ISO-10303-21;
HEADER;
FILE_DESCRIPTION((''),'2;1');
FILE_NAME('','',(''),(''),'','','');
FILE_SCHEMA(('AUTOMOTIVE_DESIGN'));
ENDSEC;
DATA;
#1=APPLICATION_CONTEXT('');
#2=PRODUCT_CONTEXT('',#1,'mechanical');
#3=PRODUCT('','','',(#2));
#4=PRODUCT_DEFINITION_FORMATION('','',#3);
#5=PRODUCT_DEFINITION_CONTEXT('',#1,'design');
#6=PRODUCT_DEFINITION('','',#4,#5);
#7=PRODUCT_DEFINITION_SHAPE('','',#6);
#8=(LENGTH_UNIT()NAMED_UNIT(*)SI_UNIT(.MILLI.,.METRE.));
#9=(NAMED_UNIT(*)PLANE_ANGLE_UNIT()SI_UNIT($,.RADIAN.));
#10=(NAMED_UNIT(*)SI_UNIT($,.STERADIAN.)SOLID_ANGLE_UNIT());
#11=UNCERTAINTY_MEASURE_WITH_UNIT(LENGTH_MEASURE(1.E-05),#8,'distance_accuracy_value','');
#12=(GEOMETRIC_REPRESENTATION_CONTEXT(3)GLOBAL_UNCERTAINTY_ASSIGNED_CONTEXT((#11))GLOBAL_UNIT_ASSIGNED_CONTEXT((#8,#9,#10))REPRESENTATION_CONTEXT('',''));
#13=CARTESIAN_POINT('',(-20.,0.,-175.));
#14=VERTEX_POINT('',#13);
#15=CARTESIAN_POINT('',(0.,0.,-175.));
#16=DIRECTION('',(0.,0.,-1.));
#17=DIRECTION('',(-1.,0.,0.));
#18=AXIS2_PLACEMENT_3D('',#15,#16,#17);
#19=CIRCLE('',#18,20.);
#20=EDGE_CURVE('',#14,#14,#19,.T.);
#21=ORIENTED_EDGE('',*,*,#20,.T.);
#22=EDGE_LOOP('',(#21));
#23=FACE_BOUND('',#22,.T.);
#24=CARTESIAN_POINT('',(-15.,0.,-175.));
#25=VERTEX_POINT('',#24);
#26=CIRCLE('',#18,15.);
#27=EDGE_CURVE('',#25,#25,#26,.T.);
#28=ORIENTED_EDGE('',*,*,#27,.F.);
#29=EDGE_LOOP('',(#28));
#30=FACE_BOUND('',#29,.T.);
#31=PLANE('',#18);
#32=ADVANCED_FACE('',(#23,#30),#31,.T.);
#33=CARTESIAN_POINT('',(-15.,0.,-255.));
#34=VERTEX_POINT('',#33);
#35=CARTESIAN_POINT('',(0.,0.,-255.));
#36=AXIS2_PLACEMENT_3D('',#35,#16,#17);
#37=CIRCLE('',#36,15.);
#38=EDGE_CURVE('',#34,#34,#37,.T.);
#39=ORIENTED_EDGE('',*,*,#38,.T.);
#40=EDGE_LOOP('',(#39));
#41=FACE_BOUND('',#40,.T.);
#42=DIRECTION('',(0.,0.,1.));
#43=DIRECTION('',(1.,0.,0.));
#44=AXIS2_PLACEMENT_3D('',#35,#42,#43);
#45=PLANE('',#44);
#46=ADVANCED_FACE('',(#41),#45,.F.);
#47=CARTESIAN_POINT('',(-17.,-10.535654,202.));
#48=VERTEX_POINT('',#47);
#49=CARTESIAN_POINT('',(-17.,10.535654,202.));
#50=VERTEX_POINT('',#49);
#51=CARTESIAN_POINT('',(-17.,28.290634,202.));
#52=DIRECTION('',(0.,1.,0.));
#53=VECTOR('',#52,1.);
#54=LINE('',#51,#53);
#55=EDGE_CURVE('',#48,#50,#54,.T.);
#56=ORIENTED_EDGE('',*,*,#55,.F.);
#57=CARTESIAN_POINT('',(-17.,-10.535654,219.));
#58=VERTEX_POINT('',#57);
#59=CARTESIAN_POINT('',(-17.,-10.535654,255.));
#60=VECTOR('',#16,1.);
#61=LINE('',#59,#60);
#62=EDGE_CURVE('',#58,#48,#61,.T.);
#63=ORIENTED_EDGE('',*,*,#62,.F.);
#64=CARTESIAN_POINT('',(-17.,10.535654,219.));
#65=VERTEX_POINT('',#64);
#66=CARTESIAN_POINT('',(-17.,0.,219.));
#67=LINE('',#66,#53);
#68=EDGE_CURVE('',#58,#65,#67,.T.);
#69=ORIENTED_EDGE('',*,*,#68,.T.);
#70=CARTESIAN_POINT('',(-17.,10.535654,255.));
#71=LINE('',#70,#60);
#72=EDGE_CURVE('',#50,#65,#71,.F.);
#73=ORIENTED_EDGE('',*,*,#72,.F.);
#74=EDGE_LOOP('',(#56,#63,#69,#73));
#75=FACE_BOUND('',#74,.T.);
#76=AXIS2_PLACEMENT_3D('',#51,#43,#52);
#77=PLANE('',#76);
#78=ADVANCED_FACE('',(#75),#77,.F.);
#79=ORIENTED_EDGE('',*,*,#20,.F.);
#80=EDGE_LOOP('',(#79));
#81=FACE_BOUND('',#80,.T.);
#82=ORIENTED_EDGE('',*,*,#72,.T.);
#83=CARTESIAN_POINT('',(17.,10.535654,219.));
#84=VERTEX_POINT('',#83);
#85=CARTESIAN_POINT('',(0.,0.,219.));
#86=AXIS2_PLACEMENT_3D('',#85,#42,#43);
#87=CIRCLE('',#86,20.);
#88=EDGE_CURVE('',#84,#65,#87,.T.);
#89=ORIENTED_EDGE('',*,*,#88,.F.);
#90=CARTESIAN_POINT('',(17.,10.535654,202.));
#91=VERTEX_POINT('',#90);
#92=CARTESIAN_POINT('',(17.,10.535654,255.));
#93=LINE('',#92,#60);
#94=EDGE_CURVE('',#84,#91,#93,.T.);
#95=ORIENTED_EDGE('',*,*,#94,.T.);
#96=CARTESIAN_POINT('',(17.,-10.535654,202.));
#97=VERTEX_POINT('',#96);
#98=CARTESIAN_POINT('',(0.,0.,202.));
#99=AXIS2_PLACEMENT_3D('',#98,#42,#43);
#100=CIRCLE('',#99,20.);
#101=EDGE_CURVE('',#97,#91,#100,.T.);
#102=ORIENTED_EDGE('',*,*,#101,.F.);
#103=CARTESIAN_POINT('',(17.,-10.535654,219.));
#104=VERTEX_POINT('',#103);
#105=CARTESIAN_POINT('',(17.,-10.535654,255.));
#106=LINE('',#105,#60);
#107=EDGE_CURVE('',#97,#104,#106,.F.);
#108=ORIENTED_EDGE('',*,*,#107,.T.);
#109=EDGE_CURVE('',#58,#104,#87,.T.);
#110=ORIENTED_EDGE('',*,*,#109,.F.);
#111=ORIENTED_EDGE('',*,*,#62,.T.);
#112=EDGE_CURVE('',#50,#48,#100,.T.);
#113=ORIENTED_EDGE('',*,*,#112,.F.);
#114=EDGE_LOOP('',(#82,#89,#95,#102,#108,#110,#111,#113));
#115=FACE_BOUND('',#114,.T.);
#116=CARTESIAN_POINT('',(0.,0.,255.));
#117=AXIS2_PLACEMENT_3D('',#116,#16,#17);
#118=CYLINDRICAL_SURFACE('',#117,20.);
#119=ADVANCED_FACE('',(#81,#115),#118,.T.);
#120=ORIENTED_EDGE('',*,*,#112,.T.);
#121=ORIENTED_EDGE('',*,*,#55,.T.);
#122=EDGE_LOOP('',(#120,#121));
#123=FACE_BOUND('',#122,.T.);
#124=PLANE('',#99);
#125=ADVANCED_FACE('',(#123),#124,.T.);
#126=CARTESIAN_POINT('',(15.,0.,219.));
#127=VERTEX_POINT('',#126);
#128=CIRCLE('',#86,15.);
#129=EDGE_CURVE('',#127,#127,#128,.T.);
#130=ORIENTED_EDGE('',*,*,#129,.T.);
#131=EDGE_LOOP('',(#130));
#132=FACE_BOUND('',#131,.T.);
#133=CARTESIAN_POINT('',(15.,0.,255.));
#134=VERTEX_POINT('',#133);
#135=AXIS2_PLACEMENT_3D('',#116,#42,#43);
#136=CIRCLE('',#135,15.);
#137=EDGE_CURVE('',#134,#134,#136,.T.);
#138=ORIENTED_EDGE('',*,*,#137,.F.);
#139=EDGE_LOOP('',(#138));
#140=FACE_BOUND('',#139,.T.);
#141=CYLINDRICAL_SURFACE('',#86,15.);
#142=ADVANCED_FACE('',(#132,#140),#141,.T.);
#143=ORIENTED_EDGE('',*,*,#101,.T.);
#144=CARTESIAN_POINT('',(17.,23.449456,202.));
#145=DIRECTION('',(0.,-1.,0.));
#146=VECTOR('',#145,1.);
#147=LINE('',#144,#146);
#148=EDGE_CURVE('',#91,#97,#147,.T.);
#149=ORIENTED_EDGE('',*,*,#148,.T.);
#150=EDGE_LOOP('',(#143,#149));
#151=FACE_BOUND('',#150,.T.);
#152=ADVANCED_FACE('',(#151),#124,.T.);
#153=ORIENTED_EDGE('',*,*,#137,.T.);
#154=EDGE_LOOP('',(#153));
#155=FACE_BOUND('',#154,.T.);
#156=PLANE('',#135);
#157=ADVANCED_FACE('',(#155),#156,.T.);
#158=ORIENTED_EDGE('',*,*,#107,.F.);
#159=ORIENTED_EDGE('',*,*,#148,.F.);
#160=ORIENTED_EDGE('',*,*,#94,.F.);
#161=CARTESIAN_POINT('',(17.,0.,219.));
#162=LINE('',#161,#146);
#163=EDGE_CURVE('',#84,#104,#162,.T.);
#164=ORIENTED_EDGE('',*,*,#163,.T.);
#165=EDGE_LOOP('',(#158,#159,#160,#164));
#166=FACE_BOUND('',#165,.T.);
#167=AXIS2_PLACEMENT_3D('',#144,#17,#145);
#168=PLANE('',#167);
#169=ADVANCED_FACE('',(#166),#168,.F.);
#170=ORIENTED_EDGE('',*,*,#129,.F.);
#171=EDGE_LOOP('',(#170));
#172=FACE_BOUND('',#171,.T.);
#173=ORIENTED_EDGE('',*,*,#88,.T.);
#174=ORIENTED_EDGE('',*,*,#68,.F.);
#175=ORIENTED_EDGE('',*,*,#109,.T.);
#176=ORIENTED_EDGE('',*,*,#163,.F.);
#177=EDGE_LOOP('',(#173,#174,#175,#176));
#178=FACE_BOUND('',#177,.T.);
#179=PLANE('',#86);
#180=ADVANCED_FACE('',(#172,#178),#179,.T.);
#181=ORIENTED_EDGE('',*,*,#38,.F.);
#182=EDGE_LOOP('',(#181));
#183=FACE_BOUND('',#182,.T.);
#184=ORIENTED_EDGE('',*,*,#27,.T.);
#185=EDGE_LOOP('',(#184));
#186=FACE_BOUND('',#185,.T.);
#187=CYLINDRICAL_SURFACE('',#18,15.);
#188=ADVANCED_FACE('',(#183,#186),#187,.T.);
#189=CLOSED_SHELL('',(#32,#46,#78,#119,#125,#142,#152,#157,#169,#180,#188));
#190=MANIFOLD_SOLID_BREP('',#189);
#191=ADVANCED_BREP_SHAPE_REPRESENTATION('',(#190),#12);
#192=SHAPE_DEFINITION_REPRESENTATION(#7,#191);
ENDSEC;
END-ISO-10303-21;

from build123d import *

# Parameters (mm, degrees)
SKETCH1_R           = 20
BOSS_EXTRUDE1_DEPTH = 255
SKETCH2_R           = 20
SKETCH2_R_2         = 15
CUT_EXTRUDE1_DEPTH  = 36
SKETCH3_W           = 9.924415088
SKETCH3_H           = 50.469281605
SKETCH3_W_2         = 14.039416466
SKETCH3_H_2         = 45.628103513
CUT_EXTRUDE2_DEPTH  = 17
CUT_EXTRUDE4_START  = -80
SKETCH4_R           = 20
SKETCH4_R_2         = 15
CUT_EXTRUDE4_DEPTH  = 80


with BuildPart() as part:
    # Sketch1 → Boss-Extrude1 (new, symmetric)
    with BuildSketch(Plane.XY):
        Circle(SKETCH1_R)
    extrude(amount=BOSS_EXTRUDE1_DEPTH, both=True)

    # Sketch2 → Cut-Extrude1 (cut)
    with BuildSketch(Plane.XY.offset(255)):
        Circle(SKETCH2_R)
        Circle(SKETCH2_R_2, mode=Mode.SUBTRACT)
    extrude(amount=-CUT_EXTRUDE1_DEPTH, mode=Mode.SUBTRACT)

    # Sketch3 → Cut-Extrude2 (cut)
    with BuildSketch(Plane.XY.offset(219)):
        with Locations((-21.962207544, 3.05599367)):
            Rectangle(SKETCH3_W, SKETCH3_H)
        with Locations((24.019708233, 0.635404624)):
            Rectangle(SKETCH3_W_2, SKETCH3_H_2)
    extrude(amount=-CUT_EXTRUDE2_DEPTH, mode=Mode.SUBTRACT)

    # Sketch4 → Cut-Extrude4 (cut)
    with BuildSketch(Plane(origin=(0, 0, -255), x_dir=(-1, 0, 0), z_dir=(0, 0, -1)).offset(CUT_EXTRUDE4_START)):
        Circle(SKETCH4_R)
        with Locations(Location((0, 0, 0), (0, 0, 180))):
            Circle(SKETCH4_R_2, mode=Mode.SUBTRACT)
    extrude(amount=CUT_EXTRUDE4_DEPTH, mode=Mode.SUBTRACT)


solid = part.part
